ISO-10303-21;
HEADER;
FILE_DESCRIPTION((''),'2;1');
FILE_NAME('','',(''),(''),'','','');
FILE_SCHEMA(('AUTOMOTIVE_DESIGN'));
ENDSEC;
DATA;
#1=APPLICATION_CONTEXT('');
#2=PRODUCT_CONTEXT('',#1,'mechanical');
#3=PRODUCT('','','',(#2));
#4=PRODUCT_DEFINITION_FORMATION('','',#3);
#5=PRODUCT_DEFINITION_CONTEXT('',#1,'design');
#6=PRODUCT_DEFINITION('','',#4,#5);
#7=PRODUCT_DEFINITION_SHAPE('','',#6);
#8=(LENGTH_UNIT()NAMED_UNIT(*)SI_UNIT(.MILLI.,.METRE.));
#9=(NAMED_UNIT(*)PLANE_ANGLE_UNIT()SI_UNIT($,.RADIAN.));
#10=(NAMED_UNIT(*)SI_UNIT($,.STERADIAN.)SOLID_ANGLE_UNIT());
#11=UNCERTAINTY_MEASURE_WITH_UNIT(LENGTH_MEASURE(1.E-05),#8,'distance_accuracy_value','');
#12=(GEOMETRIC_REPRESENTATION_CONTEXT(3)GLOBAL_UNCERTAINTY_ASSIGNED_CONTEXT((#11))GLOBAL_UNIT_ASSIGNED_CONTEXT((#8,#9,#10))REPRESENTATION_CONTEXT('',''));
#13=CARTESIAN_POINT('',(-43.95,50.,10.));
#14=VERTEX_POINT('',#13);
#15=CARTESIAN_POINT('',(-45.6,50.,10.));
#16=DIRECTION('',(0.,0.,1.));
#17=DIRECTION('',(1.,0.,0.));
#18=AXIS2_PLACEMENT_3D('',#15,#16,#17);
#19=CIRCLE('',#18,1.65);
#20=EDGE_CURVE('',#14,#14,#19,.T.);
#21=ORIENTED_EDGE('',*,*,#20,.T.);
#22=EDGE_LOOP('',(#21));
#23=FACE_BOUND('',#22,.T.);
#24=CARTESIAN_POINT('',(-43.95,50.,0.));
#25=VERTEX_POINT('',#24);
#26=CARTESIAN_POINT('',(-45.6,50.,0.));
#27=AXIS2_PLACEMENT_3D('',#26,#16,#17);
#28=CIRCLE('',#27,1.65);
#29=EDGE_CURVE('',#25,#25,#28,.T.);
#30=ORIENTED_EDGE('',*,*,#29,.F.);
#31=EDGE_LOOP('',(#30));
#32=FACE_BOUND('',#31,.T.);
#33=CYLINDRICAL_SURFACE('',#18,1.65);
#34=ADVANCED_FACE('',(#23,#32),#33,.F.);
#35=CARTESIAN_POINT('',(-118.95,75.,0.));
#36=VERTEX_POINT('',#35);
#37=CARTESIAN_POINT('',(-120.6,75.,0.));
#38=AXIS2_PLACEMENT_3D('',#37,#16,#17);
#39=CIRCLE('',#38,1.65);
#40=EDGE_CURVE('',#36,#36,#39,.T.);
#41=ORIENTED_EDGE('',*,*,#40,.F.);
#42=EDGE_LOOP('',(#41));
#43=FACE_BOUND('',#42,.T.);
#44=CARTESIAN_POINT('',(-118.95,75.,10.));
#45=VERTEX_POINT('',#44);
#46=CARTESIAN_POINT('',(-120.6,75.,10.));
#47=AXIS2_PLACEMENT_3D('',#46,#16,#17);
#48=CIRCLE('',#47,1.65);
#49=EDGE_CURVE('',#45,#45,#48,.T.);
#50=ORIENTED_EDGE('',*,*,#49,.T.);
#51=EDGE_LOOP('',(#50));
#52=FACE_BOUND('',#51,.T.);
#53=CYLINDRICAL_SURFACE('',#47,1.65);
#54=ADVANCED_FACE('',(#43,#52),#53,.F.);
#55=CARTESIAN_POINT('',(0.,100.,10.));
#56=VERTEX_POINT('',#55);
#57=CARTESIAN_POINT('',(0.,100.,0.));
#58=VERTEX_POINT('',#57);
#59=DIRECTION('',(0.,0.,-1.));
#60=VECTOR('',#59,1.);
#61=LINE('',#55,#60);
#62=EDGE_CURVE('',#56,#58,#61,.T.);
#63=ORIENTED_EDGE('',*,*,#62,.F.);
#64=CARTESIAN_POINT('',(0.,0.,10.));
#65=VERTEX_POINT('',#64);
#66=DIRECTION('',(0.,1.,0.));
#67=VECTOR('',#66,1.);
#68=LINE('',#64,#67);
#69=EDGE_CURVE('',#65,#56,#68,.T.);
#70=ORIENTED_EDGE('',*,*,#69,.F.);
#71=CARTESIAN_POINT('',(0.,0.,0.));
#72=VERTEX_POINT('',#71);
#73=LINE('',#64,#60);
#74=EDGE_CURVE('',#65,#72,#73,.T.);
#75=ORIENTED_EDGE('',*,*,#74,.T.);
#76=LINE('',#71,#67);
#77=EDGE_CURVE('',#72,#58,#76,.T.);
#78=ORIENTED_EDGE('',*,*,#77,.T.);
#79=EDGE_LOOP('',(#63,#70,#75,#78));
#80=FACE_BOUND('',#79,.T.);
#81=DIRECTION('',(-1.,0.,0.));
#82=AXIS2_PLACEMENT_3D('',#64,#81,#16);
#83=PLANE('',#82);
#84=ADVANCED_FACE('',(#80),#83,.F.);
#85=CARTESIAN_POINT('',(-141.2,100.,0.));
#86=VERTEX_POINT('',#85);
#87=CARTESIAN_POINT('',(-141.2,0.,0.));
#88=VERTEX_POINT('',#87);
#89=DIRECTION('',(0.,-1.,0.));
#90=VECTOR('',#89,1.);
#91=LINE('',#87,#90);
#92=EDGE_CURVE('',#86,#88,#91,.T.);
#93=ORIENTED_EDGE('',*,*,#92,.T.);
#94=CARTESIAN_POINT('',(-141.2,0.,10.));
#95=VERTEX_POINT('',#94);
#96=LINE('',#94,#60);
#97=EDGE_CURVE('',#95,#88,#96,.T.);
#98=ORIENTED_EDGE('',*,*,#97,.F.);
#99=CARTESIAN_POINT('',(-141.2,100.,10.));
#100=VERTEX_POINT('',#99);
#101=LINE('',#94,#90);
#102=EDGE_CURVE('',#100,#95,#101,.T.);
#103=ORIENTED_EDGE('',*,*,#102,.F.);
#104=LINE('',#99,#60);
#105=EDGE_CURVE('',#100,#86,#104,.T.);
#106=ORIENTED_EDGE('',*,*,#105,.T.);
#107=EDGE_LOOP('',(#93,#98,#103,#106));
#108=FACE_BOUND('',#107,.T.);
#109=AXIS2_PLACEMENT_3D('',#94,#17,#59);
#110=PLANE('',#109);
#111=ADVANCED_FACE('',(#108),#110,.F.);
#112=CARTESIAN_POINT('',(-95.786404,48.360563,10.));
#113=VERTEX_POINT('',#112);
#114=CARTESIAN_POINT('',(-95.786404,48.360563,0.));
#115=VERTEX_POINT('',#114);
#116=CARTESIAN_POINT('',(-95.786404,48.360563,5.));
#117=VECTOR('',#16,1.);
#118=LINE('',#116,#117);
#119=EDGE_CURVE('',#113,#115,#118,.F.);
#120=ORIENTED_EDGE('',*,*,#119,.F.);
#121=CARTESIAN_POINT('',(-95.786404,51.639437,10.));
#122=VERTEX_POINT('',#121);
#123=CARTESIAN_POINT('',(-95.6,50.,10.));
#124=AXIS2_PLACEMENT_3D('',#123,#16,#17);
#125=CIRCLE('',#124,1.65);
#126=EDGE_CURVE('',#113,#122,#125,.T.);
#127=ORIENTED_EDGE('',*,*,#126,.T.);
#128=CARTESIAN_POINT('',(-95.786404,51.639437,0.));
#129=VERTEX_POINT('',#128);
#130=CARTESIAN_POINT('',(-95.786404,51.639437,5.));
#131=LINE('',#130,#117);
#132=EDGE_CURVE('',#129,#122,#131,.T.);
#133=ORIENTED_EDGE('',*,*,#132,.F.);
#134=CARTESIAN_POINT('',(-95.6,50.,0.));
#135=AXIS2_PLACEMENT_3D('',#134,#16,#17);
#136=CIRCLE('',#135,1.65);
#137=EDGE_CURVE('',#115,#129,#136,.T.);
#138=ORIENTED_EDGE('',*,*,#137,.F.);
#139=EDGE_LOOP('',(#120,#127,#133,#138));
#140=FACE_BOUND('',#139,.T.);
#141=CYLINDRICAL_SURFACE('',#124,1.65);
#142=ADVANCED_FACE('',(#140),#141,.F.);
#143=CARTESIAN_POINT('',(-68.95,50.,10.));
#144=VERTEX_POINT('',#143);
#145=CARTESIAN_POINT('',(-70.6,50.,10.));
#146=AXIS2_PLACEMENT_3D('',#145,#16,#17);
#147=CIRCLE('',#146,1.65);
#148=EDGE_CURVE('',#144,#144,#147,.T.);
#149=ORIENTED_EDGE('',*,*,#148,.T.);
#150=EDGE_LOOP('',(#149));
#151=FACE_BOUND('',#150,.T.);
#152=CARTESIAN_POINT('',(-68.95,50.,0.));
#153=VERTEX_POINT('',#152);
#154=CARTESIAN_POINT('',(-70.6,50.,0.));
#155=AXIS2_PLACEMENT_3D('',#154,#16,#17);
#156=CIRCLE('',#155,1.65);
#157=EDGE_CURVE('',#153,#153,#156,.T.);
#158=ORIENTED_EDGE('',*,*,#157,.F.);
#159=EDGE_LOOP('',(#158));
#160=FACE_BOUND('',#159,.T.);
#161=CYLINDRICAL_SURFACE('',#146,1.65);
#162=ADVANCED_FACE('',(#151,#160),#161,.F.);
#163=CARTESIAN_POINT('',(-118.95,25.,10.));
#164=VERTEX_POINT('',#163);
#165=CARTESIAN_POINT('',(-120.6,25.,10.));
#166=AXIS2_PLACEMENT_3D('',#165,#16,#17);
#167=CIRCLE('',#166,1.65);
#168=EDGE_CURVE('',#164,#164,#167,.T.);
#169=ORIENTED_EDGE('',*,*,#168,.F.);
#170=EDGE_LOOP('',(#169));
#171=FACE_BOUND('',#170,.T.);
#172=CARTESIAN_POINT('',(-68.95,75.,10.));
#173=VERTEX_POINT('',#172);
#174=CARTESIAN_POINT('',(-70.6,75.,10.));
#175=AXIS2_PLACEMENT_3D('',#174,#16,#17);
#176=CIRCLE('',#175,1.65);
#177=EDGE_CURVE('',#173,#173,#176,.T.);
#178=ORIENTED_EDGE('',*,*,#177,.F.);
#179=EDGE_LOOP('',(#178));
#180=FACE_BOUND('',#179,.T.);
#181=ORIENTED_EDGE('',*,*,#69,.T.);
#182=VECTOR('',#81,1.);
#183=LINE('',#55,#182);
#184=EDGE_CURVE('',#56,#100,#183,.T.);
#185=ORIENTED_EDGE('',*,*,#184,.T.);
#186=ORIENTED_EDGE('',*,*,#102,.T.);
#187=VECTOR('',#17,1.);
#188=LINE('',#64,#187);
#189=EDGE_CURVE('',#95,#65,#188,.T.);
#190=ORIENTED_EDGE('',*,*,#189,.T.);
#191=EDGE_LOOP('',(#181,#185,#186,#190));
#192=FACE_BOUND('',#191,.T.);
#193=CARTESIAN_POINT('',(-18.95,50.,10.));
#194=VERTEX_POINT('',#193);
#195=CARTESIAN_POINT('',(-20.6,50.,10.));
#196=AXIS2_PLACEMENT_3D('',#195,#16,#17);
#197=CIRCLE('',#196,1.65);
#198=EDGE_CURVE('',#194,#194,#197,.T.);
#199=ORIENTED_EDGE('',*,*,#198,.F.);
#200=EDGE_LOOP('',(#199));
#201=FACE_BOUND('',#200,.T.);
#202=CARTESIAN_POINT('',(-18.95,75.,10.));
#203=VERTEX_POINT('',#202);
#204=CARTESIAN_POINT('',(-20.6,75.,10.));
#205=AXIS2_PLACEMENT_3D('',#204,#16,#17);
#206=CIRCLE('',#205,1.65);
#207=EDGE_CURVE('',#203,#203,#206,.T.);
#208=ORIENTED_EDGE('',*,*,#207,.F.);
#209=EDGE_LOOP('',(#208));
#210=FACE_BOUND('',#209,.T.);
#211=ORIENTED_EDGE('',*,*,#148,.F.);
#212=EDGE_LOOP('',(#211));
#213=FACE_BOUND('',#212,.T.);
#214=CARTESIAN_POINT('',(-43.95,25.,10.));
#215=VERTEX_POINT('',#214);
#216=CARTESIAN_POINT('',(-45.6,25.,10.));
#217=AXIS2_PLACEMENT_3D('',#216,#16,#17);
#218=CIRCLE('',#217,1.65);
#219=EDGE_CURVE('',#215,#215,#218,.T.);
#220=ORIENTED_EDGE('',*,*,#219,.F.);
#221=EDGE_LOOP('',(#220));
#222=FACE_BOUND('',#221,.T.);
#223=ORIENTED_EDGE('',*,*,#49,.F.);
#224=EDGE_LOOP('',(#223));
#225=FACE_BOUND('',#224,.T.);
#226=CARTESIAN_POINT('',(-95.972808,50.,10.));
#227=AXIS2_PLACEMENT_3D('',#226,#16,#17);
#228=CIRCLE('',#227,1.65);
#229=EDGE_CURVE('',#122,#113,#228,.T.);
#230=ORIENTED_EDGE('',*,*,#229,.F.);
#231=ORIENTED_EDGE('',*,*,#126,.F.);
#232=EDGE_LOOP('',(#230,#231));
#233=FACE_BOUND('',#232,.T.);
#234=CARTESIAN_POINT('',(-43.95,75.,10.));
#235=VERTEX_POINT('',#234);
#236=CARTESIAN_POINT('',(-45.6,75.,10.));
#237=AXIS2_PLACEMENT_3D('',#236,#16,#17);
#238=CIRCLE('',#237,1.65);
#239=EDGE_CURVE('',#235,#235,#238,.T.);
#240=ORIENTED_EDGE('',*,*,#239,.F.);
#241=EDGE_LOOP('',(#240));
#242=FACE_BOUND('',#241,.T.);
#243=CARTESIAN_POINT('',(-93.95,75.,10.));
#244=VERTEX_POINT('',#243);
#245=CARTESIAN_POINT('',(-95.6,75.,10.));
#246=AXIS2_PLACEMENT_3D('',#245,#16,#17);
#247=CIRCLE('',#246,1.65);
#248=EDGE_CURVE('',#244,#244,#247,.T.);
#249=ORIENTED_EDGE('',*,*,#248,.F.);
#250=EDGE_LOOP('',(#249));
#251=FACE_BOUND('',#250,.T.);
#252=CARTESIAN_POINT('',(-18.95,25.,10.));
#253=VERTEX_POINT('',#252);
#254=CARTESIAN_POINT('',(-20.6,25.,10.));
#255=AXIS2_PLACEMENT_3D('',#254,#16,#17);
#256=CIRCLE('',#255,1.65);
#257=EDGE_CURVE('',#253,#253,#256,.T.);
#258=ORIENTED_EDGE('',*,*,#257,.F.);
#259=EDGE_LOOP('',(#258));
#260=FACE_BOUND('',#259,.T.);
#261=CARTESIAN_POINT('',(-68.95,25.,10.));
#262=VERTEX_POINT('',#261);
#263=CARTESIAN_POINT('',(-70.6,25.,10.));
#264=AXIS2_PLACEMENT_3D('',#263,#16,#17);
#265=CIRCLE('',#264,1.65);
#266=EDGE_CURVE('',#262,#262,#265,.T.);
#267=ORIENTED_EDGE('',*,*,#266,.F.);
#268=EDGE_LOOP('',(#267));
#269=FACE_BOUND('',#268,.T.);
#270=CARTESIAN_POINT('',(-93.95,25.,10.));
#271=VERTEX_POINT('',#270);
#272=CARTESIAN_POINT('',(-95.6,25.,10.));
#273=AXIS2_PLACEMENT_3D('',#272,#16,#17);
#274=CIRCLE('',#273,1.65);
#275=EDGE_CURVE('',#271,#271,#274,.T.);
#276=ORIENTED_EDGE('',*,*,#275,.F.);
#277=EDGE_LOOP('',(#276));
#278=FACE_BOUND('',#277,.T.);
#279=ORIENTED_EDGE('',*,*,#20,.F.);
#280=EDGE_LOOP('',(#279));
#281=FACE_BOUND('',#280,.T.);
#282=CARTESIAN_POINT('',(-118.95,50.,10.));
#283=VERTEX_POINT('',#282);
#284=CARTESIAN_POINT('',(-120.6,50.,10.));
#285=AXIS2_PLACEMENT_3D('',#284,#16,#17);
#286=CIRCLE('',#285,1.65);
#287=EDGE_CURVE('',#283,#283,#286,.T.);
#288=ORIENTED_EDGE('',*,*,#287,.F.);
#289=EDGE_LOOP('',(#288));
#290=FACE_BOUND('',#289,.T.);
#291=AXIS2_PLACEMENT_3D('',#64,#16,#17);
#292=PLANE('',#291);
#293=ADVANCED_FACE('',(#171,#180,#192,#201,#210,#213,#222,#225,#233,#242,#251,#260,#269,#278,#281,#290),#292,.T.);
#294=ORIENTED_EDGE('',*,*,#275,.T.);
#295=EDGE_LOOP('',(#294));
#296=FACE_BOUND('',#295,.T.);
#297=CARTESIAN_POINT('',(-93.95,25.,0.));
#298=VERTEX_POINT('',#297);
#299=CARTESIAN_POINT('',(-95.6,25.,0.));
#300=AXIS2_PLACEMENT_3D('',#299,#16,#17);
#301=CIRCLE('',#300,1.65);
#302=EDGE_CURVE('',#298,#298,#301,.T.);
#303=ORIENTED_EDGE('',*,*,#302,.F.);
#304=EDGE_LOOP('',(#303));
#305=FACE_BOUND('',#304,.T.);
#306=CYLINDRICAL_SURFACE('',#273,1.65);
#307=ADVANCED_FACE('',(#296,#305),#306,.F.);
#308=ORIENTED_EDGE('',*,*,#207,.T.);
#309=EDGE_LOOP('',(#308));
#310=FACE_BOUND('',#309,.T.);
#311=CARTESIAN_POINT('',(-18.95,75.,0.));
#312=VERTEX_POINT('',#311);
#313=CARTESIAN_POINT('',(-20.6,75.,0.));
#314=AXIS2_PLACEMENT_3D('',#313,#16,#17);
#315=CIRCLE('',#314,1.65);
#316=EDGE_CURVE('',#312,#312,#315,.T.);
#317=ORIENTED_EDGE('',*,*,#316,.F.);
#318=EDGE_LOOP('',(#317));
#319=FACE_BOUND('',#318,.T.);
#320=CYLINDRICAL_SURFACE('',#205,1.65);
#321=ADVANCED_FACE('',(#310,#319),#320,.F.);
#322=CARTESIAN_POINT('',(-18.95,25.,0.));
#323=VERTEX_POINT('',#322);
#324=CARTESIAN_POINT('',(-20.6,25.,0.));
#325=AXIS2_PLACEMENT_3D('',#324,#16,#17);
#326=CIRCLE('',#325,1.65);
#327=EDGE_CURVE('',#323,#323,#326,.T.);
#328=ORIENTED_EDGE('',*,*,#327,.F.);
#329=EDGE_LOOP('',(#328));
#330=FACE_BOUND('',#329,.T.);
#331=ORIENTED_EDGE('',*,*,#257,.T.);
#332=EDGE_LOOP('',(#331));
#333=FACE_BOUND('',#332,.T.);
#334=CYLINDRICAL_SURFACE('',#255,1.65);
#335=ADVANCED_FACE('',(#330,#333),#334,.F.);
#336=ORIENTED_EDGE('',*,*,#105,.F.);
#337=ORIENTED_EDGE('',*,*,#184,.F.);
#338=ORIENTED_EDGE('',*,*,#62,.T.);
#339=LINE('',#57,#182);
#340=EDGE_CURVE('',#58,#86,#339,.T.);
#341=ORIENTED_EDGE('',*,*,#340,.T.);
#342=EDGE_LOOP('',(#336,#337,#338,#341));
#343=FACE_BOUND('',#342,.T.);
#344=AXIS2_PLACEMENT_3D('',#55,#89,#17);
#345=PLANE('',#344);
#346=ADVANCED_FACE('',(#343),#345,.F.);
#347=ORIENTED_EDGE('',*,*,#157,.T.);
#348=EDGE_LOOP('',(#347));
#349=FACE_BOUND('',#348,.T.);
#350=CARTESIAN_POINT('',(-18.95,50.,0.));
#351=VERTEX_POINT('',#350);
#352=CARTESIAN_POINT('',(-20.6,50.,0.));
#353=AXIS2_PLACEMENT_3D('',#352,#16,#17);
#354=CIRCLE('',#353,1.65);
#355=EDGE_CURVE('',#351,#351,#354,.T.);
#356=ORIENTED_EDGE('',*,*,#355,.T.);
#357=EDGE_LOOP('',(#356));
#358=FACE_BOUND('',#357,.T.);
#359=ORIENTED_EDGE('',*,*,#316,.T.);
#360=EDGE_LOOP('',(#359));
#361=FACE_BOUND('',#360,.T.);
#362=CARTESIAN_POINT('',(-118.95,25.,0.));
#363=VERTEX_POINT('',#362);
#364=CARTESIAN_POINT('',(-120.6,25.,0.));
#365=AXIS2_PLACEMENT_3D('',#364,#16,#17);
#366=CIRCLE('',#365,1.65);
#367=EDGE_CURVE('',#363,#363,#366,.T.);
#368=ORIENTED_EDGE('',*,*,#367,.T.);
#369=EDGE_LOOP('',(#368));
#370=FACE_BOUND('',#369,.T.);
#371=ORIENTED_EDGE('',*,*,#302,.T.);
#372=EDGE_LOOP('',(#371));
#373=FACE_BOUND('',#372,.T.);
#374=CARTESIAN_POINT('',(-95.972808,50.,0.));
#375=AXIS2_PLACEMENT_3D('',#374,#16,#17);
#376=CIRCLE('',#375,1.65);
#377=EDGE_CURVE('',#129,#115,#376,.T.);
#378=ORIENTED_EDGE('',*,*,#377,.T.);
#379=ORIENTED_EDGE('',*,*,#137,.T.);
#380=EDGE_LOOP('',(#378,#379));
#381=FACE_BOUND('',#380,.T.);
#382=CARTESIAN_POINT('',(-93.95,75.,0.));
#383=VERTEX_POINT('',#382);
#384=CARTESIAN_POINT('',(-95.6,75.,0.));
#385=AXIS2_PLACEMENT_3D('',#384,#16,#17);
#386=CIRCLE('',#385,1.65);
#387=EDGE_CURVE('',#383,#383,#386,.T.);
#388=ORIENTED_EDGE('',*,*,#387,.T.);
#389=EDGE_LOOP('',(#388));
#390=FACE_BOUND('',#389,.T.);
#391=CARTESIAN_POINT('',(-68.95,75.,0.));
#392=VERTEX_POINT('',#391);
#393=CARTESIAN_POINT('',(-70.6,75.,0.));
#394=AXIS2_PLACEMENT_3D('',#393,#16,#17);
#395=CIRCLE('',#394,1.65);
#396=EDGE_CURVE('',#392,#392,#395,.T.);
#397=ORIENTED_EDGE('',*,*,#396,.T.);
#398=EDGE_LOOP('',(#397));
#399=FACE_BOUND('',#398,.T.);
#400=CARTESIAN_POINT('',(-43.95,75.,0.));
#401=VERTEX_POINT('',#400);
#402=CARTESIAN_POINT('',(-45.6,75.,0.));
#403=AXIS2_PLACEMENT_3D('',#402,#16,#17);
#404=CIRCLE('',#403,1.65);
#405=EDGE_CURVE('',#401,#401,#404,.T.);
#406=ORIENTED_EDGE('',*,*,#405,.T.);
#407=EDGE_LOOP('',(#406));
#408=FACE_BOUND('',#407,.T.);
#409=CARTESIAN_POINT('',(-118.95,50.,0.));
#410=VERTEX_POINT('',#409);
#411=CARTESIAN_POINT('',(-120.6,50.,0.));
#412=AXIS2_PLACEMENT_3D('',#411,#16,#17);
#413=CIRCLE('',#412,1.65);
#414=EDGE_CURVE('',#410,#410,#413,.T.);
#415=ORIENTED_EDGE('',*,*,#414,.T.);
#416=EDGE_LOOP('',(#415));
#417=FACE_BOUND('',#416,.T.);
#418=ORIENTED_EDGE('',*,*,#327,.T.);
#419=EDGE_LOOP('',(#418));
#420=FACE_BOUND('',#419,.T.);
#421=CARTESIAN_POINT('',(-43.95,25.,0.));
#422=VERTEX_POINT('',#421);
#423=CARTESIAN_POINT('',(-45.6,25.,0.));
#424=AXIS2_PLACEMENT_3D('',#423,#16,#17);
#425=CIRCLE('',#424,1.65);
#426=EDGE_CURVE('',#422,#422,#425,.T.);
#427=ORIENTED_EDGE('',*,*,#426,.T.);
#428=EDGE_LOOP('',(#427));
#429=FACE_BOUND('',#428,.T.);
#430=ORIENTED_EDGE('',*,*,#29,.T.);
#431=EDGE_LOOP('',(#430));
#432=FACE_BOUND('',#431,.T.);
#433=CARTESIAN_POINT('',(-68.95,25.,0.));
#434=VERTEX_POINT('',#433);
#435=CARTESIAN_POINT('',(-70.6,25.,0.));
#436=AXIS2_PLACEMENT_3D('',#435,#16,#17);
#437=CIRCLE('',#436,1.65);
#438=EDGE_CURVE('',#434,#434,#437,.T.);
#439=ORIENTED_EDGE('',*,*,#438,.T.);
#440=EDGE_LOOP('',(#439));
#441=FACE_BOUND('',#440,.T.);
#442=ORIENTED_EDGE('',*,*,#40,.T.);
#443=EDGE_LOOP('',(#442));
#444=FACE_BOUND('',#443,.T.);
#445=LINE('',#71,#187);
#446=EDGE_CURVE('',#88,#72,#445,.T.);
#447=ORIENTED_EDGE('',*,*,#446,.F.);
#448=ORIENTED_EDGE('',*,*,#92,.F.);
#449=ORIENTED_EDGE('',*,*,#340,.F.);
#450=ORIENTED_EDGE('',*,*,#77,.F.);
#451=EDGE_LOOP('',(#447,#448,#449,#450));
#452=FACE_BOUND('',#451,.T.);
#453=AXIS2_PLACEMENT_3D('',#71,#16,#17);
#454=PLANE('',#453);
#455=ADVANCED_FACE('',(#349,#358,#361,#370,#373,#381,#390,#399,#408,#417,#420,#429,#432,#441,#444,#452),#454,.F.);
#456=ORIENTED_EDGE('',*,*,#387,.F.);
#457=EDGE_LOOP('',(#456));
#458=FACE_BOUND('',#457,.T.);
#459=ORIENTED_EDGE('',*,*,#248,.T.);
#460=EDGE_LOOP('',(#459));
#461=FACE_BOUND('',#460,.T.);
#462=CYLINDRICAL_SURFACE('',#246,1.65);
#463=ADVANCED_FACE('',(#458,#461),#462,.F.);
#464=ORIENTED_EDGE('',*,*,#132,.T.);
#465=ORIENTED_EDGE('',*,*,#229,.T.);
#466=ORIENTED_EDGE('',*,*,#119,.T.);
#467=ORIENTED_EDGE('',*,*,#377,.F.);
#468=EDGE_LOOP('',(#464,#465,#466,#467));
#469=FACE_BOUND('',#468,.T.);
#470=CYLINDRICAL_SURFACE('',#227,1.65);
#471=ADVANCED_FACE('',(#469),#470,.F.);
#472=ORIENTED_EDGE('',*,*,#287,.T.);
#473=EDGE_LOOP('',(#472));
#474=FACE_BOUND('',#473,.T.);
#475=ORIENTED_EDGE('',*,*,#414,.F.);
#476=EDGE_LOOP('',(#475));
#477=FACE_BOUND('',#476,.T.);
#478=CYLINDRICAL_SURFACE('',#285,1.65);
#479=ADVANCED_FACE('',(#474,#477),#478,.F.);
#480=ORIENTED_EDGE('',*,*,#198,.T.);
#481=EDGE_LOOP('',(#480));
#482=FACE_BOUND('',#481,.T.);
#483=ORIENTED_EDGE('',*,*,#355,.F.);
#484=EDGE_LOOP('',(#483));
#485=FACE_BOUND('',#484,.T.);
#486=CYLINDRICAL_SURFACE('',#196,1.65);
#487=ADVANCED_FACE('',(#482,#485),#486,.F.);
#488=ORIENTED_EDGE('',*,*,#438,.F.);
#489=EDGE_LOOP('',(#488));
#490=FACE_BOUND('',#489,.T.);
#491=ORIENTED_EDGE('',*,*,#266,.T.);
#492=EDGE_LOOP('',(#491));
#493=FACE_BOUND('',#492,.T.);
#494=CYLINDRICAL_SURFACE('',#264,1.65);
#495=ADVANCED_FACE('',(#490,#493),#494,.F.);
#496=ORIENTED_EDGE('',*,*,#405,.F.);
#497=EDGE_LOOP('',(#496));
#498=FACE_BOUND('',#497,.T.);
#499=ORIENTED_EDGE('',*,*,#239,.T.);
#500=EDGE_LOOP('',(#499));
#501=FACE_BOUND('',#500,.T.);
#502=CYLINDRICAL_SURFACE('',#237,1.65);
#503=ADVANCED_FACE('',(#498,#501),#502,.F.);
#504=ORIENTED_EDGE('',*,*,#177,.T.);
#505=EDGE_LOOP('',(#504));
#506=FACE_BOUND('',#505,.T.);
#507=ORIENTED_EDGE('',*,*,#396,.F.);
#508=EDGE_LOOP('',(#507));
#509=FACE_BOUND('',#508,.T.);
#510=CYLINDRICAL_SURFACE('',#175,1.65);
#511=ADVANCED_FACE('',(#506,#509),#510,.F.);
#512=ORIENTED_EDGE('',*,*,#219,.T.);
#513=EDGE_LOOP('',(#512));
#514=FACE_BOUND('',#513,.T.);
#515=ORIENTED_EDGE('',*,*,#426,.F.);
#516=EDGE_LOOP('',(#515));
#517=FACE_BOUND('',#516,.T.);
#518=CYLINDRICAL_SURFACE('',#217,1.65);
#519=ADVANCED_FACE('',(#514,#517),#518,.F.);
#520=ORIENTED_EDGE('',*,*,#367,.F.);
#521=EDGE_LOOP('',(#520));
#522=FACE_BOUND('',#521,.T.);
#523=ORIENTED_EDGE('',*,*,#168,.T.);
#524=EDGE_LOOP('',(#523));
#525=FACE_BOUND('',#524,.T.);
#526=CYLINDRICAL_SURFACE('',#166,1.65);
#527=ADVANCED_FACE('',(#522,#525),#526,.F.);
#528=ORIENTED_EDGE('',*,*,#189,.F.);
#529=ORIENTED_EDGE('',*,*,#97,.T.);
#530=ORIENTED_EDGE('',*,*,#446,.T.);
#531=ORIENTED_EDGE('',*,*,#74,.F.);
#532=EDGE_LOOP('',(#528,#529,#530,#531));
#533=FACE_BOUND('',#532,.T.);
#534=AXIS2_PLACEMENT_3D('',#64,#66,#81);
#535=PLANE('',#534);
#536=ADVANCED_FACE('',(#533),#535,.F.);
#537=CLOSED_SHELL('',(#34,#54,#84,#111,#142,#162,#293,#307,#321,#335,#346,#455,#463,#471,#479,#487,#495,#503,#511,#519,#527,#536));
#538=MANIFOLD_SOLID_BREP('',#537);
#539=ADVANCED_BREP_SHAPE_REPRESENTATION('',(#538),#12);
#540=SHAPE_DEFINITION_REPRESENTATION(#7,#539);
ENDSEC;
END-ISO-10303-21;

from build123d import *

# Parameters (mm, degrees)
SKETCH1_W             = 141.2
SKETCH1_H             = 100
BOSS_EXTRUDE1_DEPTH   = 10
M4X0_7_TAPPED_HOLE1_D = 3.3


with BuildPart() as part:
    # Sketch1 → Boss-Extrude1 (new body)
    with BuildSketch(Plane.XY):
        with Locations((-70.6, 50)):
            Rectangle(SKETCH1_W, SKETCH1_H)
    extrude(amount=BOSS_EXTRUDE1_DEPTH)

    # M4x0.7 Tapped Hole1 (through all)
    with Locations(Plane.XY.offset(10)):
        with Locations((-120.6, 75), (-70.6, 50), (-95.6, 50), (-20.6, 50), (-45.6, 50), (-95.972807971, 50), (-120.6, 50), (-20.6, 25), (-45.6, 25), (-70.6, 25), (-95.6, 25), (-120.6, 25), (-20.6, 75), (-45.6, 75), (-70.6, 75), (-95.6, 75)):
            Hole(M4X0_7_TAPPED_HOLE1_D / 2)


solid = part.part
